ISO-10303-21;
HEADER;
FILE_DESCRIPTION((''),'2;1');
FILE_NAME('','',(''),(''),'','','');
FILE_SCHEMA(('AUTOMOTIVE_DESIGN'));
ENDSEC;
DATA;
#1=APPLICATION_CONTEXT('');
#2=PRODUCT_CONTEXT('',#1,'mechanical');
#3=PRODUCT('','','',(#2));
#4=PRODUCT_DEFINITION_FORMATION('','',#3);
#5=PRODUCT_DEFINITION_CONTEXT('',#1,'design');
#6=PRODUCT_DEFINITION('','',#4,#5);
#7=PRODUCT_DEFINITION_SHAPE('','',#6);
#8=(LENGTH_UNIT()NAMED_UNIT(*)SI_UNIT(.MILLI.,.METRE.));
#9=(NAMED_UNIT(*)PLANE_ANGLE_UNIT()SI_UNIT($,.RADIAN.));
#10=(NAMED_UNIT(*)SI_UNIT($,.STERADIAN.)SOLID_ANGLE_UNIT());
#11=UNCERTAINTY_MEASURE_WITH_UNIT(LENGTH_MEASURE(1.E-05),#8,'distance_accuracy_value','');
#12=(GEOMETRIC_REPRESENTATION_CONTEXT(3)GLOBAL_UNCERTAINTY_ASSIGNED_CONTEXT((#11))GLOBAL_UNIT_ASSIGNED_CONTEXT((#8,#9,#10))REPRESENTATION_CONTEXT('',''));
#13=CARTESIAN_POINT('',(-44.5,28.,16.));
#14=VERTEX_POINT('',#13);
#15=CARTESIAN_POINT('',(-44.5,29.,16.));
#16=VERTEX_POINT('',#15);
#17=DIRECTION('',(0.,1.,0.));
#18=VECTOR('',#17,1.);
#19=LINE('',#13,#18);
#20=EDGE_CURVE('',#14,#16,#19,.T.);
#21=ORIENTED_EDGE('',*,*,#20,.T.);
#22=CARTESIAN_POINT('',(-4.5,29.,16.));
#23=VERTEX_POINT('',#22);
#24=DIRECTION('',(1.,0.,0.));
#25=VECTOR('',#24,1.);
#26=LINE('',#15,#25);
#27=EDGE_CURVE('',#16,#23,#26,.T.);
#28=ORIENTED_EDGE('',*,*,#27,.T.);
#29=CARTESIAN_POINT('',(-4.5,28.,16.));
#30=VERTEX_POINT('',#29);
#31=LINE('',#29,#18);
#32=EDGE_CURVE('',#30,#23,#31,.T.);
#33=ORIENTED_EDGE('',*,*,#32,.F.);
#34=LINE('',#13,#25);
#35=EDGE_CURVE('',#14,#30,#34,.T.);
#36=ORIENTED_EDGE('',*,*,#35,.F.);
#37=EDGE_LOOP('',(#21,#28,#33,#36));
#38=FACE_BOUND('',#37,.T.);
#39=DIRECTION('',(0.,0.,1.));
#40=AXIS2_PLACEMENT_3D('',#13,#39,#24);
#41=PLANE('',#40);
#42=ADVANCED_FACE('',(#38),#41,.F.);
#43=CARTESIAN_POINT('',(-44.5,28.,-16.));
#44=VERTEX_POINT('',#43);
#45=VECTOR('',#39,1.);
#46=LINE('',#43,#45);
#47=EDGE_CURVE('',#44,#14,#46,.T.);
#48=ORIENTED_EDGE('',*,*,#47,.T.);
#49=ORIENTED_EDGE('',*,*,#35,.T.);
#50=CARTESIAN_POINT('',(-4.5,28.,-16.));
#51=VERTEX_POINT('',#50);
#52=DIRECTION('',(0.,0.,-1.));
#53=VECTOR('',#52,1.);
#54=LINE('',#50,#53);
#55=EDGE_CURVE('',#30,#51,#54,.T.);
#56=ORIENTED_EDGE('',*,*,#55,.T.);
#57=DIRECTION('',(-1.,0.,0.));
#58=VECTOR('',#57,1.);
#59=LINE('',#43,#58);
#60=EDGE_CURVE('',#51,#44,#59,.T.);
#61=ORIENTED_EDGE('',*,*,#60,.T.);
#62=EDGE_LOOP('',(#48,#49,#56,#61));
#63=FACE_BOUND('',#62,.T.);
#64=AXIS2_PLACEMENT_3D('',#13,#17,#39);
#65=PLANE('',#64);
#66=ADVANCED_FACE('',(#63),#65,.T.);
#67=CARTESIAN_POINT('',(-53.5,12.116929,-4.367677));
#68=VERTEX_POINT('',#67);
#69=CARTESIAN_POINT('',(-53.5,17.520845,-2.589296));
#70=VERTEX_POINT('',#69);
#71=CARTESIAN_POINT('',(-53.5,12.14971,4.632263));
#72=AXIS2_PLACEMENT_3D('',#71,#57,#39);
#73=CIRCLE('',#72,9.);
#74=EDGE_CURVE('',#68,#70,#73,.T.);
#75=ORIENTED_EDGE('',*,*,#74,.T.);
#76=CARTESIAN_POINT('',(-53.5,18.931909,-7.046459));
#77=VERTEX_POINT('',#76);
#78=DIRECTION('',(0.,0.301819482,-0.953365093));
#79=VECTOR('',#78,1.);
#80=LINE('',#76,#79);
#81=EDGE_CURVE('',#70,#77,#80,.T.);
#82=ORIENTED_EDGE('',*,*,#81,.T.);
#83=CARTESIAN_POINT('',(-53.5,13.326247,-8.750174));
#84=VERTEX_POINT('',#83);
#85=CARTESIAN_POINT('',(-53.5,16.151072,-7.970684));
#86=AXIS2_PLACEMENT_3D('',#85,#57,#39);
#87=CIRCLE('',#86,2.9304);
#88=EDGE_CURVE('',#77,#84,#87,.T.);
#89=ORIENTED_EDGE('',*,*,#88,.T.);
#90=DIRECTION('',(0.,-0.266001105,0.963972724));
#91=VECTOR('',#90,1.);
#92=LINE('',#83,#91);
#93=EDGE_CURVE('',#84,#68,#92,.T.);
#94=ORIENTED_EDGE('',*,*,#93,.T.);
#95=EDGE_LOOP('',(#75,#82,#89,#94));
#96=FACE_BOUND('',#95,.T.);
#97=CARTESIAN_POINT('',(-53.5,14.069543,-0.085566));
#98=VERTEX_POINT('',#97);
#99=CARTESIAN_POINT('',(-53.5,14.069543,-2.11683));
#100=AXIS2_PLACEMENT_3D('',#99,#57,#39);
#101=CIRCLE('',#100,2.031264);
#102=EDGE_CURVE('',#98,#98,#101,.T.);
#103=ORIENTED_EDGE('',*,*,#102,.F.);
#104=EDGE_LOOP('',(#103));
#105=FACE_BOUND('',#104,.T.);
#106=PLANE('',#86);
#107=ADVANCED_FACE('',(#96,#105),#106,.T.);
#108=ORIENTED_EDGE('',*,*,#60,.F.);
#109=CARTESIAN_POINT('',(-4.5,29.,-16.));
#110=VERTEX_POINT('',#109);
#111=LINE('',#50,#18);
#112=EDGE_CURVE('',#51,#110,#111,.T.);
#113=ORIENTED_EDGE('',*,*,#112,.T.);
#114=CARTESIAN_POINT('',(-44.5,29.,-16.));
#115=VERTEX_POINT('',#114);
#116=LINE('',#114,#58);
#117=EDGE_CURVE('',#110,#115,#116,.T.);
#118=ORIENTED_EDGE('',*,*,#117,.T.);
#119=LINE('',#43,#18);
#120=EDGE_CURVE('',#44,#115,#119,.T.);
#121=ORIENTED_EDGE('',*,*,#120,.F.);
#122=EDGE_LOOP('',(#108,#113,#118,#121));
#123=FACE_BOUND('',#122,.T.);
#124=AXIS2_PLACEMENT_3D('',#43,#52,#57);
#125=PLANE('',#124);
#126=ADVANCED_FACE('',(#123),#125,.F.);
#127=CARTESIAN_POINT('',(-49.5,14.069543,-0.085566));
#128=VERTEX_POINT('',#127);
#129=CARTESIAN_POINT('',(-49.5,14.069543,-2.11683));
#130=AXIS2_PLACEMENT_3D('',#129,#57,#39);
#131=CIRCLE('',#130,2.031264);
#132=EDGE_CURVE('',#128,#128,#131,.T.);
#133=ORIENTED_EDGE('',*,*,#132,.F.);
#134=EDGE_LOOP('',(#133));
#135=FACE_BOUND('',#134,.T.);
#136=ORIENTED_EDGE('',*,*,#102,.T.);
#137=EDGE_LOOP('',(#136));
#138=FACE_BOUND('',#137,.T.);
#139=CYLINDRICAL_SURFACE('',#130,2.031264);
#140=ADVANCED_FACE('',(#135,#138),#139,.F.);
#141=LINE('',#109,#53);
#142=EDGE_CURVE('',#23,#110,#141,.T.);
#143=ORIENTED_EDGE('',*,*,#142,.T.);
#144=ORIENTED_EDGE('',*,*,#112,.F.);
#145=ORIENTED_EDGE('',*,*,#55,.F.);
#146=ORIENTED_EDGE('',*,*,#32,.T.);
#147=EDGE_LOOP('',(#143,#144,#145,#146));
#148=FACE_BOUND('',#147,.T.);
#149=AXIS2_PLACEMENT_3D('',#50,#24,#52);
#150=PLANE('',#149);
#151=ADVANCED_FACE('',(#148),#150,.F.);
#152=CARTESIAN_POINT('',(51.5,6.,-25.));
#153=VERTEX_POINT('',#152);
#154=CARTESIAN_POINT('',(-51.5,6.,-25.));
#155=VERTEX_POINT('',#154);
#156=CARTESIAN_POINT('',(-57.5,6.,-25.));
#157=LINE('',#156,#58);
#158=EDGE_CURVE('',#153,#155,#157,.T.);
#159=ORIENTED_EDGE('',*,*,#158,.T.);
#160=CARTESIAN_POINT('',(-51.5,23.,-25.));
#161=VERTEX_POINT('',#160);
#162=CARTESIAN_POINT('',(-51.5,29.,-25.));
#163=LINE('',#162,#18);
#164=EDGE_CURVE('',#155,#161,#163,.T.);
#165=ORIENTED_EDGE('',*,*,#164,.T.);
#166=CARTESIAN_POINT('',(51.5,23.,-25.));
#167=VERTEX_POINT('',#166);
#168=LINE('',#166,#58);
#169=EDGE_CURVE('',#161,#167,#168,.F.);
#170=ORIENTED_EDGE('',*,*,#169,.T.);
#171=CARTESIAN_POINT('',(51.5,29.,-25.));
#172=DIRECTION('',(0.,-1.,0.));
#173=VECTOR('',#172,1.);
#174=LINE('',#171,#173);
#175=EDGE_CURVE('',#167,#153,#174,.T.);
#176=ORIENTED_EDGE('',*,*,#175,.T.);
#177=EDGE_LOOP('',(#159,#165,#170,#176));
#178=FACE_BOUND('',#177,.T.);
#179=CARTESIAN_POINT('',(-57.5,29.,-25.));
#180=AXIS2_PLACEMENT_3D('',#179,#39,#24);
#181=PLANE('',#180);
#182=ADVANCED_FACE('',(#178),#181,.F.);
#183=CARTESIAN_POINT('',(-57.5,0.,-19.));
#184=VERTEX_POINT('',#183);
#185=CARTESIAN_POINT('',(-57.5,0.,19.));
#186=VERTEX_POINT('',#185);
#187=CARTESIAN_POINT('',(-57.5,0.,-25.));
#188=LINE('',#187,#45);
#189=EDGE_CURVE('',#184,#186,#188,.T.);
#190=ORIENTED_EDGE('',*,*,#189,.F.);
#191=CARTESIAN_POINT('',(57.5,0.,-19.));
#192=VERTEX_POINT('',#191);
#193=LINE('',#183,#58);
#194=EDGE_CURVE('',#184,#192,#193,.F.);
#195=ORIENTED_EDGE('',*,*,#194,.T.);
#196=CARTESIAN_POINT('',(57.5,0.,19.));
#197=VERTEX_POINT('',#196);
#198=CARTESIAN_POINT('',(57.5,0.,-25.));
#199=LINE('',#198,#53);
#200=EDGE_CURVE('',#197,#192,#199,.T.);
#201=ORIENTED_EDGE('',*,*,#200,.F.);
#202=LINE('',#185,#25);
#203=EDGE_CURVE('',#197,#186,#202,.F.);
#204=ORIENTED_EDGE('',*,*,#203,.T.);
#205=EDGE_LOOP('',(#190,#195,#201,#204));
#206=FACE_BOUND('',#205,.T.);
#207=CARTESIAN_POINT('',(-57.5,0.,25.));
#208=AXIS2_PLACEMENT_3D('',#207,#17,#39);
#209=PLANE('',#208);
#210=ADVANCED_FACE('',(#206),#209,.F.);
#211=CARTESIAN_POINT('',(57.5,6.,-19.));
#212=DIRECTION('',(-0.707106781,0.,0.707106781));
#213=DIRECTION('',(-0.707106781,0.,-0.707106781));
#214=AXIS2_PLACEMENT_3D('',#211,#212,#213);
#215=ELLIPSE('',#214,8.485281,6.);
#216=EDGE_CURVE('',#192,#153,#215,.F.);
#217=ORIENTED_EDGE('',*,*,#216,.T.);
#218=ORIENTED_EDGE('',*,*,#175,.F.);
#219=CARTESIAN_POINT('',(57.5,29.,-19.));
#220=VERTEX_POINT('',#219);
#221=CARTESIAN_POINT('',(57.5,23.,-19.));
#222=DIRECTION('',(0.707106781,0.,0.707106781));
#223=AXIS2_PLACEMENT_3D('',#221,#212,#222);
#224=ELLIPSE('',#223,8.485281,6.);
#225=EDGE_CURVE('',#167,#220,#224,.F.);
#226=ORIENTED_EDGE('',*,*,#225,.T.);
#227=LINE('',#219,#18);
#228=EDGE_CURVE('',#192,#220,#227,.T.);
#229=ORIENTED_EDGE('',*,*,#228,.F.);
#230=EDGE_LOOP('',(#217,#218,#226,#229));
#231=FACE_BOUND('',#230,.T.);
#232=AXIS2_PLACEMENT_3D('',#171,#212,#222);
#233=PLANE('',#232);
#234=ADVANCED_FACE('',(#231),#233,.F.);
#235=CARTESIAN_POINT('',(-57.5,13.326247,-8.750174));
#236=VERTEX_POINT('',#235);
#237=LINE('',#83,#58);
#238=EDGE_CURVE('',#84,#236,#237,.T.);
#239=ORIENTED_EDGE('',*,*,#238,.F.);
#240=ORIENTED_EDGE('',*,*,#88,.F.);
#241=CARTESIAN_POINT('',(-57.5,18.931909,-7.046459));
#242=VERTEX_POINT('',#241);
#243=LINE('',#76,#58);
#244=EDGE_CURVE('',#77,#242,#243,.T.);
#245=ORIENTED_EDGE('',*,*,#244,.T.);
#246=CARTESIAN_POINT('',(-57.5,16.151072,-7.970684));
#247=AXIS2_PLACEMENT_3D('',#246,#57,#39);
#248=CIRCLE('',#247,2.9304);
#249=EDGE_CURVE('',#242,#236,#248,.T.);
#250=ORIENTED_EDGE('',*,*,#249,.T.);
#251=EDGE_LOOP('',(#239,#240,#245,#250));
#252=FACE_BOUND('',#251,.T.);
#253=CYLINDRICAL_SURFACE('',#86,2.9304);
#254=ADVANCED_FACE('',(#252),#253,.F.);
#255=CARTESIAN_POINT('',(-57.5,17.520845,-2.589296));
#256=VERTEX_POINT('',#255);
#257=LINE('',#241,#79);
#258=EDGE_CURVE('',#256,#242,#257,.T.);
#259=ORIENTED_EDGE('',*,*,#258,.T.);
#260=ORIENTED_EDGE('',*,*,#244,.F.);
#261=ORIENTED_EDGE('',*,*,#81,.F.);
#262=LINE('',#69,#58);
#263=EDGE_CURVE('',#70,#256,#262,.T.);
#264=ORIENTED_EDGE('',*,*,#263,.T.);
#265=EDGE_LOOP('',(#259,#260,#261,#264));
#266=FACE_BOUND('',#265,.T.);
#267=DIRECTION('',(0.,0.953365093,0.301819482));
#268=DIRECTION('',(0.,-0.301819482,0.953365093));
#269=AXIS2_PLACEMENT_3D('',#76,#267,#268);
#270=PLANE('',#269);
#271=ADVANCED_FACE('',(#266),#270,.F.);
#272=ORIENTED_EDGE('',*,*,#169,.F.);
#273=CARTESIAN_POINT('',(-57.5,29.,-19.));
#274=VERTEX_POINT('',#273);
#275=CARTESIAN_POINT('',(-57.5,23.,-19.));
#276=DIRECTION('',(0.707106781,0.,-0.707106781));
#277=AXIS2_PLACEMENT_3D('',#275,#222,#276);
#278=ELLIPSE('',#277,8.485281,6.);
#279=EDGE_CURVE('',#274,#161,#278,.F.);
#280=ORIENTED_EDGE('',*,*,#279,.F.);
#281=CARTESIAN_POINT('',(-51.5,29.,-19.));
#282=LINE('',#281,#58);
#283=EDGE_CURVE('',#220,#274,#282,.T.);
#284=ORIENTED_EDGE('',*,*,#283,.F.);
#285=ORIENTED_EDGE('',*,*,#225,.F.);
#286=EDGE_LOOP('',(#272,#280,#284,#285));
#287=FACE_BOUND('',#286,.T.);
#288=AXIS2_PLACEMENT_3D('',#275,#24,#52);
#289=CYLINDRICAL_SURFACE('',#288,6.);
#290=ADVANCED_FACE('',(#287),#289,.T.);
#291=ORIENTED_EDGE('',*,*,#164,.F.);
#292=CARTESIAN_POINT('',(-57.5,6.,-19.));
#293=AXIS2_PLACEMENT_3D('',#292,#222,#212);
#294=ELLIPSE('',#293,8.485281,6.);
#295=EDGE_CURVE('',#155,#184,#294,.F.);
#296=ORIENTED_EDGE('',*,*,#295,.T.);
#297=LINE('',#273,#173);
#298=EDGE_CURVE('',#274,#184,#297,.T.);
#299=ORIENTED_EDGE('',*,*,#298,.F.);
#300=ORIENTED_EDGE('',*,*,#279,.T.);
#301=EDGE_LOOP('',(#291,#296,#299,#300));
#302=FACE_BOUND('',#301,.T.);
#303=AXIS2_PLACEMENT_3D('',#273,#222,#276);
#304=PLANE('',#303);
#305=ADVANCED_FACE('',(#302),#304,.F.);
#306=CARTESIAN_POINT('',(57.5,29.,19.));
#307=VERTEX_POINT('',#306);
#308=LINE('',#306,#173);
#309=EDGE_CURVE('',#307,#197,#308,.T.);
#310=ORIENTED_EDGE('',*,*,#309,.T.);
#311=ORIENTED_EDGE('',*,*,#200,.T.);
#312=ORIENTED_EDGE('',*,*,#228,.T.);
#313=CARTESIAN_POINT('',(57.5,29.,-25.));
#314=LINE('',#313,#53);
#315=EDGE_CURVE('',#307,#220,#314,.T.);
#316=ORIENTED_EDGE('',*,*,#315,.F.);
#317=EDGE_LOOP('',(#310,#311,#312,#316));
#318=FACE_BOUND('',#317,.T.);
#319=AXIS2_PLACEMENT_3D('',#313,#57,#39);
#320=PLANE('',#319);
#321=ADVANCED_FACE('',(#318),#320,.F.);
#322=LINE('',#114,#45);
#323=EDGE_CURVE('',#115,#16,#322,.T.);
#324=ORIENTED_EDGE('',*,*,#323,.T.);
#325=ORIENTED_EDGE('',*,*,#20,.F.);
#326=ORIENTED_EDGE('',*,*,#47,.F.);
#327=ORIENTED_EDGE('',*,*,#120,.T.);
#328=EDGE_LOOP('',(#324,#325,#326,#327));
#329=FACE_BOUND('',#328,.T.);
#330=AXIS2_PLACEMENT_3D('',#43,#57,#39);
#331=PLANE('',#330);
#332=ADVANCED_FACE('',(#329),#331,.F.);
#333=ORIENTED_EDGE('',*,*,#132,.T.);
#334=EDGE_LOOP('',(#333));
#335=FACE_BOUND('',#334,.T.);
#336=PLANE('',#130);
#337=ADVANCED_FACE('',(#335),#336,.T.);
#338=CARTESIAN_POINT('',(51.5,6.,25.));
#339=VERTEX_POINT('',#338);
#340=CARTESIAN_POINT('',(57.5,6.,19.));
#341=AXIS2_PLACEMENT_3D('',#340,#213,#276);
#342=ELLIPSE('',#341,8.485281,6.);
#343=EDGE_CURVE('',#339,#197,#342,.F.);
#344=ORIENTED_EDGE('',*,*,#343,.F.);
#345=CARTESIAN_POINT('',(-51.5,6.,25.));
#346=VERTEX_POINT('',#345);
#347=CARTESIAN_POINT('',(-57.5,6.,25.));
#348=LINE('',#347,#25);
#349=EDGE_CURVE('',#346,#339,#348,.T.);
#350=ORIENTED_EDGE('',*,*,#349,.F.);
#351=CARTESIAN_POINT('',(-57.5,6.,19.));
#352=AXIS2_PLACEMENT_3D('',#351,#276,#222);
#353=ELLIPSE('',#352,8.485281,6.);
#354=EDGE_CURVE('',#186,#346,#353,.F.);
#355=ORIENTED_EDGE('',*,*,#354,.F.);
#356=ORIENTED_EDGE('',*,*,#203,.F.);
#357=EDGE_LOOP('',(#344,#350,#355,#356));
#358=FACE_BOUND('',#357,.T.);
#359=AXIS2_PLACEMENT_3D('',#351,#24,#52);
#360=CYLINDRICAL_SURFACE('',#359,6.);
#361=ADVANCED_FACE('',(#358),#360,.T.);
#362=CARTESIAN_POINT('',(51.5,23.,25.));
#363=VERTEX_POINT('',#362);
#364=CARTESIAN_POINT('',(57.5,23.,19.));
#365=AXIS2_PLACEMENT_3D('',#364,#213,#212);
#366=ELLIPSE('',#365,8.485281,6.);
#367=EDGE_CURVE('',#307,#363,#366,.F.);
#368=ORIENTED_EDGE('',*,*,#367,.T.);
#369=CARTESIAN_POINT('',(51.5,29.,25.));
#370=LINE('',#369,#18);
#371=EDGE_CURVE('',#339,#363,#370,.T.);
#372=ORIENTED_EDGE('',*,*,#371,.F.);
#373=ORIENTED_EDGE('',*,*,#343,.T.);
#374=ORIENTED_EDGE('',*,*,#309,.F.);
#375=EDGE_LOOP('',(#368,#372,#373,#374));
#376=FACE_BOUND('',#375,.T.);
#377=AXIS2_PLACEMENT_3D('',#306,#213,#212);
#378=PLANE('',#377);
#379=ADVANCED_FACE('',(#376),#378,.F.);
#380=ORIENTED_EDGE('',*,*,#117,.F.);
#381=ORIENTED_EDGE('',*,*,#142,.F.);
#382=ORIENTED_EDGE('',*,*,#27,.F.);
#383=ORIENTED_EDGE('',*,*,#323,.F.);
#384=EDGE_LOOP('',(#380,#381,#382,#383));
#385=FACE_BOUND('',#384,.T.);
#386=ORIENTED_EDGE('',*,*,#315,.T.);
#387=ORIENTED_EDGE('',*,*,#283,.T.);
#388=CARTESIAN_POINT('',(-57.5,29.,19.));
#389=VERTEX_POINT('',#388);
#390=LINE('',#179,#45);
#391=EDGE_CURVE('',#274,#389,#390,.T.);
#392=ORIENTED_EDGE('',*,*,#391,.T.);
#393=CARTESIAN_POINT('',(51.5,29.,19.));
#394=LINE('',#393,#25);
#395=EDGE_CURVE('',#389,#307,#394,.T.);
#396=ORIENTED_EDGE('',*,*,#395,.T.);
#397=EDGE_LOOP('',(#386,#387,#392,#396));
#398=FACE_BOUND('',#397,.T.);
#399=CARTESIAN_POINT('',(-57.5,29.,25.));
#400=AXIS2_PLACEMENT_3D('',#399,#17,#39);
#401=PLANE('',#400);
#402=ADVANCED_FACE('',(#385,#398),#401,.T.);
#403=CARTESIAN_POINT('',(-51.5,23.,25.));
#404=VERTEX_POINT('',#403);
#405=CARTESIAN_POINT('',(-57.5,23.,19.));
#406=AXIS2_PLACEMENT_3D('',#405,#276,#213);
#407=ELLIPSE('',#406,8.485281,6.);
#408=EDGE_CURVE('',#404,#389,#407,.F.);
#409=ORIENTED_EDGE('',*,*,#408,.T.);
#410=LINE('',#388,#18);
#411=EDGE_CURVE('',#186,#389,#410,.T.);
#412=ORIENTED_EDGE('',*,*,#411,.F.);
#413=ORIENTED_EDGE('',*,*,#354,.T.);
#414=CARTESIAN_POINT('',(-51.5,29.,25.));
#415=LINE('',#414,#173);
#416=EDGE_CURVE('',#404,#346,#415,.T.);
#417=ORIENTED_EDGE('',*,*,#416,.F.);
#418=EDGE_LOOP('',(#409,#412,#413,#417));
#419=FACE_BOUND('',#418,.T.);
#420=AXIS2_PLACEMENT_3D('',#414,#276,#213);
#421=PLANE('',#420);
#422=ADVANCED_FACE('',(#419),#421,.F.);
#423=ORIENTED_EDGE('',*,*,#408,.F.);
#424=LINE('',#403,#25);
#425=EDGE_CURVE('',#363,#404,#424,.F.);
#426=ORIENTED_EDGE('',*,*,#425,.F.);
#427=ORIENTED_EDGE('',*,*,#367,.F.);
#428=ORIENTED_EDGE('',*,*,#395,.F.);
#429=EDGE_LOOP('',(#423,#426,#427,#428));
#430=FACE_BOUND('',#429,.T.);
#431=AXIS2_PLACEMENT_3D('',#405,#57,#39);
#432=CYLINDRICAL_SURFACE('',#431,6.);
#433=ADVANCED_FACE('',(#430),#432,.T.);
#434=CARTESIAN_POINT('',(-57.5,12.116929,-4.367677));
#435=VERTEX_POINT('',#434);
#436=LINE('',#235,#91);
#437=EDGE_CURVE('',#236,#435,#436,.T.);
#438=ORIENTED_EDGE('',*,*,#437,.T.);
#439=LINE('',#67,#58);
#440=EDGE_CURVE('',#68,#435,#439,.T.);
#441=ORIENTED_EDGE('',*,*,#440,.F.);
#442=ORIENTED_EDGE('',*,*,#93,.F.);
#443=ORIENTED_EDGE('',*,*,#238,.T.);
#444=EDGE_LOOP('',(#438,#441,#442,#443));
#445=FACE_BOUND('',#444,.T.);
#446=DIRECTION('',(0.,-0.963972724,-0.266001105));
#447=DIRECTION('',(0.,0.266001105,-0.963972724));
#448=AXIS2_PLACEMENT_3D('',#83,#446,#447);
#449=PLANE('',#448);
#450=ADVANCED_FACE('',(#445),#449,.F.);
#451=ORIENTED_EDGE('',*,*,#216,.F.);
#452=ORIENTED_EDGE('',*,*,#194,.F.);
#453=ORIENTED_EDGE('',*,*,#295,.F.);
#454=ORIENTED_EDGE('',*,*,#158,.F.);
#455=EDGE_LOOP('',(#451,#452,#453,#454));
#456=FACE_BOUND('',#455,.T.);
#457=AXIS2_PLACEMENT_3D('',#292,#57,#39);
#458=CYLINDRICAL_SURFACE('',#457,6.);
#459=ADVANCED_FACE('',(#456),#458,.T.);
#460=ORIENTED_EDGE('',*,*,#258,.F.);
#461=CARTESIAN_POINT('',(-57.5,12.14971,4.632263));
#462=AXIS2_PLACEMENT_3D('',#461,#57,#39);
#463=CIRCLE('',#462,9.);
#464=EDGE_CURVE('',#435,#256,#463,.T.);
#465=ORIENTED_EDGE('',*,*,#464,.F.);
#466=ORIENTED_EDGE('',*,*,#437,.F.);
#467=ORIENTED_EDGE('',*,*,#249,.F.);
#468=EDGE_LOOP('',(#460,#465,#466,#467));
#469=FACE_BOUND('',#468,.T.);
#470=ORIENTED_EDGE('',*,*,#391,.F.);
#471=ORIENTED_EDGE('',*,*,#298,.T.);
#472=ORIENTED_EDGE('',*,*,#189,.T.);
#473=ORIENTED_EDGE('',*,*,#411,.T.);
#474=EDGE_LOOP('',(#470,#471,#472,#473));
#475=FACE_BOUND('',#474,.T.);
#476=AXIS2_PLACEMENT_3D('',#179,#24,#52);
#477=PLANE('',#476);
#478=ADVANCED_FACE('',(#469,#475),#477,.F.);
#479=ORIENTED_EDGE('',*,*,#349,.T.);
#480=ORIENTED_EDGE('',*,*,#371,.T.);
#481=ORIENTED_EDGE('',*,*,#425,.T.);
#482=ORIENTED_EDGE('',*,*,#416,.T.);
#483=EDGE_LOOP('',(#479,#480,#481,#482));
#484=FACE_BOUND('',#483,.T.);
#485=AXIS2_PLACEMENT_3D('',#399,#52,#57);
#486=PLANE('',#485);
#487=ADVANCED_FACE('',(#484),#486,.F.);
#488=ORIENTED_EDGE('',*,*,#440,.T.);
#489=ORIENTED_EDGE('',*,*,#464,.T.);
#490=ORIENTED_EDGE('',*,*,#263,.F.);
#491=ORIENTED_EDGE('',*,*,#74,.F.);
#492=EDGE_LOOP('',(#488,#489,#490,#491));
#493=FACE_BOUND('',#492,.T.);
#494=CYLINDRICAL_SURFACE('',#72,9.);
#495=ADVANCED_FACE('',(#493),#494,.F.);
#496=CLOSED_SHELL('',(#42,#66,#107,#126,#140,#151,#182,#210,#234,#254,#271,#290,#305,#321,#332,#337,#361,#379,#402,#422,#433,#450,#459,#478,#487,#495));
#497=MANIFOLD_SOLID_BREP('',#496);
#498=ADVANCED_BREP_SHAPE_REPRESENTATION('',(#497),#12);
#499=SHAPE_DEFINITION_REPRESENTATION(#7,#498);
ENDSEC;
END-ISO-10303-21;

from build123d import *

# Parameters (mm, degrees)
SKETCH1_W           = 115
SKETCH1_H           = 50
BOSS_EXTRUDE1_DEPTH = 29
CHAMFER1_SIZE       = 6
FILLET1_R           = 6
SKETCH2_W           = 40
SKETCH2_H           = 32
CUT_EXTRUDE1_DEPTH  = 1
CUT_EXTRUDE2_DEPTH  = 4
SKETCH4_R           = 2.031264326
CUT_EXTRUDE3_DEPTH  = 4


with BuildPart() as part:
    # Sketch1 → Boss-Extrude1 (new body)
    with BuildSketch(Plane(origin=(0, 0, 0), x_dir=(1, 0, 0), z_dir=(0, 1, 0))):
        Rectangle(SKETCH1_W, SKETCH1_H)
    extrude(amount=BOSS_EXTRUDE1_DEPTH)

    # Chamfer1
    chamfer1_edges = [part.edges().sort_by_distance(p)[0] for p in [
        (-57.5, 14.5, -25),
        (57.5, 14.5, -25),
        (57.5, 14.5, 25),
        (-57.5, 14.5, 25),
    ]]
    chamfer(chamfer1_edges, length=CHAMFER1_SIZE)

    # Fillet1
    fillet1_edges = [part.edges().sort_by_distance(p)[0] for p in [
        (0, 0, 25),
        (0, 0, -25),
        (0, 29, -25),
        (0, 29, 25),
    ]]
    fillet(fillet1_edges, radius=FILLET1_R)

    # Sketch2 → Cut-Extrude1 (cut)
    with BuildSketch(Plane(origin=(0, 29, 0), x_dir=(1, 0, 0), z_dir=(0, 1, 0))):
        with Locations((-24.5, 0)):
            Rectangle(SKETCH2_W, SKETCH2_H)
    extrude(amount=-CUT_EXTRUDE1_DEPTH, mode=Mode.SUBTRACT)

    # Sketch3 → Cut-Extrude2 (cut)
    with BuildSketch(Plane.ZY.offset(57.5)):
        with BuildLine():
            Line((-8.750173975, 13.326246728), (-4.367676958, 12.116929263))
            ThreePointArc((-4.367676958, 12.116929263), (13.18123027, 9.336320138), (-2.589295615, 17.520844884))
            Line((-2.589295615, 17.520844884), (-7.046459278, 18.931908537))
            ThreePointArc((-7.046459278, 18.931908537), (-10.774449394, 17.003213431), (-8.750173975, 13.326246728))
        make_face()
    extrude(amount=-CUT_EXTRUDE2_DEPTH, mode=Mode.SUBTRACT)

    # Sketch4 → Cut-Extrude3 (cut)
    with BuildSketch(Plane.ZY.offset(53.5)):
        with Locations((-2.116830312, 14.069543065)):
            Circle(SKETCH4_R)
    extrude(amount=-CUT_EXTRUDE3_DEPTH, mode=Mode.SUBTRACT)


solid = part.part
